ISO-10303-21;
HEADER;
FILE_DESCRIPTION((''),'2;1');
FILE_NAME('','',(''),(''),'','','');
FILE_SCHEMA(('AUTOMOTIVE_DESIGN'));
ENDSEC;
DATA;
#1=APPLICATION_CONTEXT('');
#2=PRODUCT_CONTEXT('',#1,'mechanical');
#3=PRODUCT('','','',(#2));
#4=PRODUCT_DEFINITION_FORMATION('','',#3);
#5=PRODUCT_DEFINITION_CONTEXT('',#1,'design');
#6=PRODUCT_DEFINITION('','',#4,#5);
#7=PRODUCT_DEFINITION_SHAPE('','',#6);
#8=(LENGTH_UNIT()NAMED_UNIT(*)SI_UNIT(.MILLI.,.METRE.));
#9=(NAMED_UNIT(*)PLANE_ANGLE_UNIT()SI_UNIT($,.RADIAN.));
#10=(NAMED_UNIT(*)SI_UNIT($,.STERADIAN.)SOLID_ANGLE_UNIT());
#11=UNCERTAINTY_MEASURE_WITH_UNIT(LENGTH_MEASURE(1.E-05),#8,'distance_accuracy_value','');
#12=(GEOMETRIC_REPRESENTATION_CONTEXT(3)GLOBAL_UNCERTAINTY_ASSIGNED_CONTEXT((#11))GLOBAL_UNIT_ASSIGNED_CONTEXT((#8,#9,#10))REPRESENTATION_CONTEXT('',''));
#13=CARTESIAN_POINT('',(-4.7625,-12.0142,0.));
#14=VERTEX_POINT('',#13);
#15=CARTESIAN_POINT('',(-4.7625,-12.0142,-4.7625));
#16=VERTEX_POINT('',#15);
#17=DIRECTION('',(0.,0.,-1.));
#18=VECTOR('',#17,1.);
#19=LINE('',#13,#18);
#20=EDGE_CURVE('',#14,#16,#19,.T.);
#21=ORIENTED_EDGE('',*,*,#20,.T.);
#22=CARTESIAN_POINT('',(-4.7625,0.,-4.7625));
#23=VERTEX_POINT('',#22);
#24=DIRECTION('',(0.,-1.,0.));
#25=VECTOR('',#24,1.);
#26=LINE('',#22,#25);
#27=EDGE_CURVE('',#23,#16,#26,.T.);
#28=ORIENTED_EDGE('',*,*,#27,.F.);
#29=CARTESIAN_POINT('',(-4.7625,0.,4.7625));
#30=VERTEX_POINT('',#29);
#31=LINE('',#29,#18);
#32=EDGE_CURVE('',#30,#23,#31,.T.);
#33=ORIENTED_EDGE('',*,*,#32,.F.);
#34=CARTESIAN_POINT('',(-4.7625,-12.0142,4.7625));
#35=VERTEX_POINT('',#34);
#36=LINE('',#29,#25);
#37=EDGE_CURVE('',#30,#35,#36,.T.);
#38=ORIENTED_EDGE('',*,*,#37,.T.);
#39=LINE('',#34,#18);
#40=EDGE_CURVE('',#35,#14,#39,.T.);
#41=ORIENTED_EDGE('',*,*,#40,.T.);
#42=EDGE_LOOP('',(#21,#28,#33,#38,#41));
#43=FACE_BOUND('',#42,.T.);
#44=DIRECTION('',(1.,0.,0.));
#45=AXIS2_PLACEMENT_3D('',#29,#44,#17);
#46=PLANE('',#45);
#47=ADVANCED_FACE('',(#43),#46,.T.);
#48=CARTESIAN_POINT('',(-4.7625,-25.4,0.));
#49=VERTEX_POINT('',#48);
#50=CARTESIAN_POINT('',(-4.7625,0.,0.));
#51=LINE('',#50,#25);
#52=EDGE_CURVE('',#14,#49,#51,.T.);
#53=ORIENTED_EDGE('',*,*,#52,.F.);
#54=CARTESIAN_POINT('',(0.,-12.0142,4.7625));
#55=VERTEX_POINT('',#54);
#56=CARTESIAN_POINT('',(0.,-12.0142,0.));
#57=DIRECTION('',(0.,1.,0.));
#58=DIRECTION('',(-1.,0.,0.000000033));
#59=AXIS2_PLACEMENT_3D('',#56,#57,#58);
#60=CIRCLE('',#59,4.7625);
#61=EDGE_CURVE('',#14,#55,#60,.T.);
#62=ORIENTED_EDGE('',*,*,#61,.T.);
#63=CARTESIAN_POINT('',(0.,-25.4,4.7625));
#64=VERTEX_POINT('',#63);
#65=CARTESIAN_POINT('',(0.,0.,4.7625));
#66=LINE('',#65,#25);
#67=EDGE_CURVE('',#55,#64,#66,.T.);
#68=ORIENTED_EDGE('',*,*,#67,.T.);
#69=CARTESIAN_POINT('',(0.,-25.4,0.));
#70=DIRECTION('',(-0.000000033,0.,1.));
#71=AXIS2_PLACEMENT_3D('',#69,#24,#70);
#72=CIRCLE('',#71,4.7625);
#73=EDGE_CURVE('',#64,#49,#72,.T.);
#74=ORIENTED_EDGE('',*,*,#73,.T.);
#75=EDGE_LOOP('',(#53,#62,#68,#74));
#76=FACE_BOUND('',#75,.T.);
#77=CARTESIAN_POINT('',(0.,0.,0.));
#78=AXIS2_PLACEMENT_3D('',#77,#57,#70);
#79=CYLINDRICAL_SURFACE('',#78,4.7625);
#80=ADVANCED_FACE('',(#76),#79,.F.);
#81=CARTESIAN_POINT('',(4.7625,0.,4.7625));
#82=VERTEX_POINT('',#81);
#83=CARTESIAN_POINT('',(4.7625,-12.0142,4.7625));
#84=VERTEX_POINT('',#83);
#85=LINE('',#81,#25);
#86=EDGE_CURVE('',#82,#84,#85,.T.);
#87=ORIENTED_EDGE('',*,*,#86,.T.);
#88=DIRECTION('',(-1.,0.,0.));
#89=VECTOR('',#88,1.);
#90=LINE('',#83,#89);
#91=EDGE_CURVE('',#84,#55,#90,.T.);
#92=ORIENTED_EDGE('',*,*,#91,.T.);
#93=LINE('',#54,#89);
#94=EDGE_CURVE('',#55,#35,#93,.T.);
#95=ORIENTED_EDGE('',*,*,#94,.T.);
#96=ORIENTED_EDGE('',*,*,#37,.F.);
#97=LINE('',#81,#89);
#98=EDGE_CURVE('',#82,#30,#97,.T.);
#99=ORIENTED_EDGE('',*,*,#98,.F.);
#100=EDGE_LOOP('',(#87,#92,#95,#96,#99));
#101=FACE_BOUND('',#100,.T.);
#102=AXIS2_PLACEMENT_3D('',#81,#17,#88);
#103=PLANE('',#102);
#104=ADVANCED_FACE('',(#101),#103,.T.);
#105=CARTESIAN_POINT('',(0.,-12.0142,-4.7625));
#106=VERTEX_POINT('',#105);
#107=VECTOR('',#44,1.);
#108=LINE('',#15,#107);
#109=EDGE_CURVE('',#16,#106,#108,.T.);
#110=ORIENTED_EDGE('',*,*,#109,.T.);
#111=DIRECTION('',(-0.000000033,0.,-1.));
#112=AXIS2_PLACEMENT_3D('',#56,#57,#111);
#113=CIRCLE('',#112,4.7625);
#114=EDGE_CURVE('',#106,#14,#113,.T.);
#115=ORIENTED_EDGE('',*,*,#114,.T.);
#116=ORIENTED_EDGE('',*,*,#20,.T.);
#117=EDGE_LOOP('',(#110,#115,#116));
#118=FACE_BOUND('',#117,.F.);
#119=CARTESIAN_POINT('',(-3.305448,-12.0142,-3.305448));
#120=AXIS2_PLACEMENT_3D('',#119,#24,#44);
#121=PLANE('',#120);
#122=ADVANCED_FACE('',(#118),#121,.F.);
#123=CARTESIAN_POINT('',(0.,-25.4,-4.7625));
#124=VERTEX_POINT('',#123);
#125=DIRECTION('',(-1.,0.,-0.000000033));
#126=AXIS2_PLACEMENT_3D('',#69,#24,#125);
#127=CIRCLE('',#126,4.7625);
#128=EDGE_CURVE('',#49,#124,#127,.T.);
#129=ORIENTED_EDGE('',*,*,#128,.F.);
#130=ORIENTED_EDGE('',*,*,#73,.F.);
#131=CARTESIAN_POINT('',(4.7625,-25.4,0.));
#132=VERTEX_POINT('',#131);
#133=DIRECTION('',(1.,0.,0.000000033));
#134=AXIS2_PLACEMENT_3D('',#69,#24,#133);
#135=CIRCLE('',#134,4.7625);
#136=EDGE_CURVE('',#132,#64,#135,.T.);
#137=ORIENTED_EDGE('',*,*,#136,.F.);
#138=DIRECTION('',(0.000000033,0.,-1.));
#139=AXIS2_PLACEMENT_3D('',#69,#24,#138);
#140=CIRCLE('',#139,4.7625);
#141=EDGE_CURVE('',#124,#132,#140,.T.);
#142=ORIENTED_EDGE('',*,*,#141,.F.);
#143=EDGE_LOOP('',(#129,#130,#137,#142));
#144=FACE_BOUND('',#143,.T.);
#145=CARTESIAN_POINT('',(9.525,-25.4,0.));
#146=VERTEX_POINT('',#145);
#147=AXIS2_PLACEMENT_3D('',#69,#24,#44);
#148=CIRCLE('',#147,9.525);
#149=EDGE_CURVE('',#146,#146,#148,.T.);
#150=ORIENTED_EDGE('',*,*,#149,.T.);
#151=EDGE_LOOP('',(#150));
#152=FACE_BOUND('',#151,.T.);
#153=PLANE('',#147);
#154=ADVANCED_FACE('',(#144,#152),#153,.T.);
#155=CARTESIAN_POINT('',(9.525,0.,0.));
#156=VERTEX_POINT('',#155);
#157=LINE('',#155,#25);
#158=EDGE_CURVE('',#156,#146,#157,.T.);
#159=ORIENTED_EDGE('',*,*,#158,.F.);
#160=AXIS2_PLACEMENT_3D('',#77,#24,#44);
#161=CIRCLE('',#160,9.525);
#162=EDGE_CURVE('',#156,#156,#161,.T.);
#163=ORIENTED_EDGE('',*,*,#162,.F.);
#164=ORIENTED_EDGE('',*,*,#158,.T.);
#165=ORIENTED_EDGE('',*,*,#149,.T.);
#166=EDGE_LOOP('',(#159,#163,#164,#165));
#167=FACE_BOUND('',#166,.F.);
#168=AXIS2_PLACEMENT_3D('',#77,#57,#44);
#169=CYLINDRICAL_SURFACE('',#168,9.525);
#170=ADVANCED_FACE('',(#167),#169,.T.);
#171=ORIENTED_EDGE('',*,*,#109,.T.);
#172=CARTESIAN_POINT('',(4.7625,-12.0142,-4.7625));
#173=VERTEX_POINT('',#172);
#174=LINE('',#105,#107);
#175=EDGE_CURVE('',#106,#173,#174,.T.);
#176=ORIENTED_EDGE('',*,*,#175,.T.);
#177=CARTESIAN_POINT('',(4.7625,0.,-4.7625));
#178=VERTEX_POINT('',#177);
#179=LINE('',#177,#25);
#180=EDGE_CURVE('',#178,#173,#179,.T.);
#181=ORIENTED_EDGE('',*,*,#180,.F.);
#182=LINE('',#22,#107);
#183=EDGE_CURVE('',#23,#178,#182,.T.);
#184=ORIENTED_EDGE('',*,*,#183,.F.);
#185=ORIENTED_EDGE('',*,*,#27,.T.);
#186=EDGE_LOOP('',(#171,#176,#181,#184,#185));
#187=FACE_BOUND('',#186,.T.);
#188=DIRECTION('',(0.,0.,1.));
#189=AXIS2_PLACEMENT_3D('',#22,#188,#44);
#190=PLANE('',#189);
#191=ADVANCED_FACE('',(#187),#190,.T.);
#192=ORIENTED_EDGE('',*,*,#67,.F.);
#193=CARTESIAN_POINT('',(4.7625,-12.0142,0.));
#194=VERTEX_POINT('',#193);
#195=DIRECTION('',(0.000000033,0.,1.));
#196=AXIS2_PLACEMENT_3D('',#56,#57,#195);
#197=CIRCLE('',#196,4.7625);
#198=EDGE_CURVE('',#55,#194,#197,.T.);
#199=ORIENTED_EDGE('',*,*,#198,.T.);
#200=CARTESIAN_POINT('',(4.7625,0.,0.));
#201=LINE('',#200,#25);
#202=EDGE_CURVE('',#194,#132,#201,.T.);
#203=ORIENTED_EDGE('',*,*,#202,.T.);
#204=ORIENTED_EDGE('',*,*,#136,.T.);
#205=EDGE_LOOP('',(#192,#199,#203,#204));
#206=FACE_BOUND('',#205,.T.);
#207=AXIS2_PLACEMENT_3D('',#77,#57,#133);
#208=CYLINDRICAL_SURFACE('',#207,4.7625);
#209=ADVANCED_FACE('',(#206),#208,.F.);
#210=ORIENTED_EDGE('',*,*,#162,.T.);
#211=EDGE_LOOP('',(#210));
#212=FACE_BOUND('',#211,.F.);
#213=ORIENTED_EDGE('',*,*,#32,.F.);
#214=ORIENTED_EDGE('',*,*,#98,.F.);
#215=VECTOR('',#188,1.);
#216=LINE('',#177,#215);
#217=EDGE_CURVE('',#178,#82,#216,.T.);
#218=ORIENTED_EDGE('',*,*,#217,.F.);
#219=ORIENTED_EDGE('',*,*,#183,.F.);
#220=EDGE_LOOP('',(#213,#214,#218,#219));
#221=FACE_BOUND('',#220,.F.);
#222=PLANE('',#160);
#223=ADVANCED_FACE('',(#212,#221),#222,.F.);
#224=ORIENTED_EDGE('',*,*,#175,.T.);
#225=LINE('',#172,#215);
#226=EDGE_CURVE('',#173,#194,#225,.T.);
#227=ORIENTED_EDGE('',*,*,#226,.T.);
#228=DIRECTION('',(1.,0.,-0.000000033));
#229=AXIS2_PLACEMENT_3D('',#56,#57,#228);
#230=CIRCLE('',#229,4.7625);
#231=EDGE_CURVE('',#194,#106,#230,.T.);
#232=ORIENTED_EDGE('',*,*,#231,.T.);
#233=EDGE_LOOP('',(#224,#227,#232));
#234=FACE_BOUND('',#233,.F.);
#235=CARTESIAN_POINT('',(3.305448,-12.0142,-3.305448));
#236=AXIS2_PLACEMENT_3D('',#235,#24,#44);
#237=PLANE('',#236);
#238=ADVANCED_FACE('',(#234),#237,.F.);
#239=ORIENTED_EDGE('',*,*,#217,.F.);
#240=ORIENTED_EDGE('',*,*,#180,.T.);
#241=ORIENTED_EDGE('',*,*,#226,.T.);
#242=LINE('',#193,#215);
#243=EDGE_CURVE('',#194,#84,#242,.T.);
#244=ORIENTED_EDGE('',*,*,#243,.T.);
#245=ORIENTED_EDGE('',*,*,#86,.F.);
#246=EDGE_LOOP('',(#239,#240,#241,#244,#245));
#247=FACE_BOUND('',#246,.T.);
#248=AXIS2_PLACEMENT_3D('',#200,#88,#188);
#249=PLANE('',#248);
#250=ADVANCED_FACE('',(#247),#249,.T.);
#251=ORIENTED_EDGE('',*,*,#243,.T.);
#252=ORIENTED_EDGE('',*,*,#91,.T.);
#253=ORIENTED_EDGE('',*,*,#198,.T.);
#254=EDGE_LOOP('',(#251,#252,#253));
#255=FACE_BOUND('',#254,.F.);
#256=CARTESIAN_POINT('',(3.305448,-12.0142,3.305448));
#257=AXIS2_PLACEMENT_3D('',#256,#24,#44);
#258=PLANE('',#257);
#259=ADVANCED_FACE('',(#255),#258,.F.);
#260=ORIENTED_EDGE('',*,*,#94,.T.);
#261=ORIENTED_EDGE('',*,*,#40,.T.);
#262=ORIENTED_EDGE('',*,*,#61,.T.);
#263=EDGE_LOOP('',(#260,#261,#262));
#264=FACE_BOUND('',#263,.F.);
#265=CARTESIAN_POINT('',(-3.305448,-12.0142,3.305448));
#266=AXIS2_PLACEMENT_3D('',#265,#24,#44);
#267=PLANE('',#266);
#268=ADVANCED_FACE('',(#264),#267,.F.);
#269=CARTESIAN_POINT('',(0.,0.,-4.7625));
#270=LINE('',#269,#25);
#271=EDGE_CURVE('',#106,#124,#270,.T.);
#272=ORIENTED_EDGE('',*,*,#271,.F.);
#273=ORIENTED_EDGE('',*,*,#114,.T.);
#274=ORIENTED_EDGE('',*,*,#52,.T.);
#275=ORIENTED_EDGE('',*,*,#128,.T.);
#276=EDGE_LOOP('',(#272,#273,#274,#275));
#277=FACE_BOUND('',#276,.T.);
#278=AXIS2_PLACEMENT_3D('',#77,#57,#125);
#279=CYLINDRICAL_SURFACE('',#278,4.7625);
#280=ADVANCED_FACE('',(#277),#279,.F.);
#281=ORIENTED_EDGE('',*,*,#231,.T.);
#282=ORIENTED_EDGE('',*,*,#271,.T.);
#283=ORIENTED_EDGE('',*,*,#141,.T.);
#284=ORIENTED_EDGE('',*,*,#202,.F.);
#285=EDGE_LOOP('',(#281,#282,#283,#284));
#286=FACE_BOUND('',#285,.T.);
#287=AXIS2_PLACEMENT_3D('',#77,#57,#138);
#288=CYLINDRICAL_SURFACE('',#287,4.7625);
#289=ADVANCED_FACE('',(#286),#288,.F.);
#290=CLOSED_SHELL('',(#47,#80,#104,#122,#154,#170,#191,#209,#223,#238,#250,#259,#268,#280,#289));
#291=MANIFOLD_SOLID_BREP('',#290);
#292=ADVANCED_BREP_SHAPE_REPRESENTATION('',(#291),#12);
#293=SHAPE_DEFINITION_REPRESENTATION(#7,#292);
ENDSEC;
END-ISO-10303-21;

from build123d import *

# Parameters (mm, degrees)
F0_R     = 9.525
F1_DEPTH = 25.4
F2_DEPTH = 25.4
F3_DEPTH = 12.0142


with BuildPart() as f1:
    # F0 (on Front) → F1 (new body)
    with BuildSketch(Plane.XZ):
        Circle(F0_R)
        Polygon((-4.7625, 0), (-4.7625, 4.7625), (0, 4.7625), (4.7625, 4.7625), (4.7625, 0), (4.7625, -4.7625), (0, -4.7625), (-4.7625, -4.7625), align=None, mode=Mode.SUBTRACT)
        with BuildLine():
            Line((4.7625, 4.7625), (0, 4.7625))
            ThreePointArc((0, 4.7625), (3.367596, 3.367596), (4.7625, 0))
            Line((4.7625, 0), (4.7625, 4.7625))
        make_face()
        with BuildLine():
            ThreePointArc((4.7625, 0), (3.367596, 3.367596), (0, 4.7625))
            ThreePointArc((0, 4.7625), (-3.367596, 3.367596), (-4.7625, 0))
            ThreePointArc((-4.7625, 0), (-3.367596, -3.367596), (0, -4.7625))
            ThreePointArc((0, -4.7625), (3.367596, -3.367596), (4.7625, 0))
        make_face()
        with BuildLine():
            ThreePointArc((0, -4.7625), (-3.367596, -3.367596), (-4.7625, 0))
            Line((-4.7625, 0), (-4.7625, -4.7625))
            Line((-4.7625, -4.7625), (0, -4.7625))
        make_face()
        with BuildLine():
            Line((4.7625, -4.7625), (4.7625, 0))
            ThreePointArc((4.7625, 0), (3.367596, -3.367596), (0, -4.7625))
            Line((0, -4.7625), (4.7625, -4.7625))
        make_face()
        with BuildLine():
            Line((0, 4.7625), (-4.7625, 4.7625))
            Line((-4.7625, 4.7625), (-4.7625, 0))
            ThreePointArc((-4.7625, 0), (-3.367596, 3.367596), (0, 4.7625))
        make_face()
    extrude(amount=F1_DEPTH)

    # F0 (on Front) → F2 (cut)
    with BuildSketch(Plane.XZ):
        with BuildLine():
            ThreePointArc((4.7625, 0), (3.367596, 3.367596), (0, 4.7625))
            ThreePointArc((0, 4.7625), (-3.367596, 3.367596), (-4.7625, 0))
            ThreePointArc((-4.7625, 0), (-3.367596, -3.367596), (0, -4.7625))
            ThreePointArc((0, -4.7625), (3.367596, -3.367596), (4.7625, 0))
        make_face()
    extrude(amount=F2_DEPTH, mode=Mode.SUBTRACT)

    # F0 (on Front) → F3 (cut)
    with BuildSketch(Plane.XZ):
        with BuildLine():
            ThreePointArc((0, -4.7625), (-3.367596, -3.367596), (-4.7625, 0))
            Line((-4.7625, 0), (-4.7625, -4.7625))
            Line((-4.7625, -4.7625), (0, -4.7625))
        make_face()
        with BuildLine():
            Line((4.7625, -4.7625), (4.7625, 0))
            ThreePointArc((4.7625, 0), (3.367596, -3.367596), (0, -4.7625))
            Line((0, -4.7625), (4.7625, -4.7625))
        make_face()
        with BuildLine():
            Line((0, 4.7625), (-4.7625, 4.7625))
            Line((-4.7625, 4.7625), (-4.7625, 0))
            ThreePointArc((-4.7625, 0), (-3.367596, 3.367596), (0, 4.7625))
        make_face()
        with BuildLine():
            Line((4.7625, 4.7625), (0, 4.7625))
            ThreePointArc((0, 4.7625), (3.367596, 3.367596), (4.7625, 0))
            Line((4.7625, 0), (4.7625, 4.7625))
        make_face()
    extrude(amount=F3_DEPTH, mode=Mode.SUBTRACT)


solid = f1.part
